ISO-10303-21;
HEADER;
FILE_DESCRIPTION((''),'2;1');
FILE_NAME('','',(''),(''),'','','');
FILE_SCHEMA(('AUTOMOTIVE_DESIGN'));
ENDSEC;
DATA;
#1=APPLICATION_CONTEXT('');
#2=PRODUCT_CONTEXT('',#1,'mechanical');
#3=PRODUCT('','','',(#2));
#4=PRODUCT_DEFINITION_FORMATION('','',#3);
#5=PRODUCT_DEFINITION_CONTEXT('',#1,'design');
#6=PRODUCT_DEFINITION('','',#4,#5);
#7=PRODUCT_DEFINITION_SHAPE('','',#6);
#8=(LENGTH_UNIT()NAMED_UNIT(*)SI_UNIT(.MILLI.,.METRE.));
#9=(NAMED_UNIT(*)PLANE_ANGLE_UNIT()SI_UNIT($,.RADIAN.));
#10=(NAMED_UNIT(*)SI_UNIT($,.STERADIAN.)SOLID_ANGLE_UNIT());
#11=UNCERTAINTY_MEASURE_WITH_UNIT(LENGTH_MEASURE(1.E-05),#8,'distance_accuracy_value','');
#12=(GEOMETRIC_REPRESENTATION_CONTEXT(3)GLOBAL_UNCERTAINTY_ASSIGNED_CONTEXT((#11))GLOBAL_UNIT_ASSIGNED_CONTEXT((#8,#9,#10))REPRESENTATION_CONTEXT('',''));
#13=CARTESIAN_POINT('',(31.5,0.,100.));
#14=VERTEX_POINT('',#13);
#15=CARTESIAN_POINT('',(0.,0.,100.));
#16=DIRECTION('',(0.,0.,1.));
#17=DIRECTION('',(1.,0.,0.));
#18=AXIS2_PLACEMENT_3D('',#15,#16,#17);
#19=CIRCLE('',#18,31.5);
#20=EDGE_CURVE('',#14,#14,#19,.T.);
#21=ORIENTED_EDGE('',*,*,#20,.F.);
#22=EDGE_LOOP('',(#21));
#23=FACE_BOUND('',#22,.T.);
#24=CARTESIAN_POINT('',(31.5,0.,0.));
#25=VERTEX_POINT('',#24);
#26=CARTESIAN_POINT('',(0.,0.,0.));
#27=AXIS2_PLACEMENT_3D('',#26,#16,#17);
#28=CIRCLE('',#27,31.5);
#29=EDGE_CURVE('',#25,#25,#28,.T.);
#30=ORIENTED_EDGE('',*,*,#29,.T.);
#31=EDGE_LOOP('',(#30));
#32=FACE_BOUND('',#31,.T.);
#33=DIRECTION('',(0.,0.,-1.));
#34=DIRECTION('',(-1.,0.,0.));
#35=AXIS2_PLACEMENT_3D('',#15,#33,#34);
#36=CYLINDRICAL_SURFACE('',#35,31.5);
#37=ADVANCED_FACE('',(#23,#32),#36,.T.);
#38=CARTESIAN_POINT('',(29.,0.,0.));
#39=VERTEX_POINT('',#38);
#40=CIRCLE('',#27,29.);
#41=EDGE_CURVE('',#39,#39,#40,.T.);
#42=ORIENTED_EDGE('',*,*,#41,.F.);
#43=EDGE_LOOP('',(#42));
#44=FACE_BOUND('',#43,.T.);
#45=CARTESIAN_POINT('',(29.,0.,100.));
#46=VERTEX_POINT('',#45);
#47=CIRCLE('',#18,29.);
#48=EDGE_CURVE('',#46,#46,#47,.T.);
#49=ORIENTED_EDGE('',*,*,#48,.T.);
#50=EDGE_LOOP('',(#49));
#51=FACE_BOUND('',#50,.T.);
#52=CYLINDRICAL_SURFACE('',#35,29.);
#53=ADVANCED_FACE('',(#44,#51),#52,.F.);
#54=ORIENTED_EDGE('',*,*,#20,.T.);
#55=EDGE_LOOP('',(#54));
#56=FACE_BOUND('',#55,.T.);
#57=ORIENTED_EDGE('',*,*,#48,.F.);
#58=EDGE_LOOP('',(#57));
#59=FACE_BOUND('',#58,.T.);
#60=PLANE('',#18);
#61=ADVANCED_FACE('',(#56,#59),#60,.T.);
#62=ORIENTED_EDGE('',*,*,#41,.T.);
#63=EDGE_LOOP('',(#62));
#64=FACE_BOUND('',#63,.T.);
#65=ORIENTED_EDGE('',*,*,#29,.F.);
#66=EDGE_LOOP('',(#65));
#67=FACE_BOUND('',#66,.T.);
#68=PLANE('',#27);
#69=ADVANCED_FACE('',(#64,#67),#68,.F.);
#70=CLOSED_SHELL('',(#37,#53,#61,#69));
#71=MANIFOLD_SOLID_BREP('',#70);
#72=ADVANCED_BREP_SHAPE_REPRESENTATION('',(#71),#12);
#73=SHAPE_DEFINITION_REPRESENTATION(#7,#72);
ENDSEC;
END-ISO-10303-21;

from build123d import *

# Parameters (mm, degrees)
ESQUISSE1_R        = 31.5
ESQUISSE1_R_2      = 29
BOSS_EXTRU_1_DEPTH = 100


with BuildPart() as part:
    # Esquisse1 → Boss.-Extru.1 (new body)
    with BuildSketch(Plane.XY):
        Circle(ESQUISSE1_R)
        Circle(ESQUISSE1_R_2, mode=Mode.SUBTRACT)
    extrude(amount=BOSS_EXTRU_1_DEPTH)


solid = part.part
